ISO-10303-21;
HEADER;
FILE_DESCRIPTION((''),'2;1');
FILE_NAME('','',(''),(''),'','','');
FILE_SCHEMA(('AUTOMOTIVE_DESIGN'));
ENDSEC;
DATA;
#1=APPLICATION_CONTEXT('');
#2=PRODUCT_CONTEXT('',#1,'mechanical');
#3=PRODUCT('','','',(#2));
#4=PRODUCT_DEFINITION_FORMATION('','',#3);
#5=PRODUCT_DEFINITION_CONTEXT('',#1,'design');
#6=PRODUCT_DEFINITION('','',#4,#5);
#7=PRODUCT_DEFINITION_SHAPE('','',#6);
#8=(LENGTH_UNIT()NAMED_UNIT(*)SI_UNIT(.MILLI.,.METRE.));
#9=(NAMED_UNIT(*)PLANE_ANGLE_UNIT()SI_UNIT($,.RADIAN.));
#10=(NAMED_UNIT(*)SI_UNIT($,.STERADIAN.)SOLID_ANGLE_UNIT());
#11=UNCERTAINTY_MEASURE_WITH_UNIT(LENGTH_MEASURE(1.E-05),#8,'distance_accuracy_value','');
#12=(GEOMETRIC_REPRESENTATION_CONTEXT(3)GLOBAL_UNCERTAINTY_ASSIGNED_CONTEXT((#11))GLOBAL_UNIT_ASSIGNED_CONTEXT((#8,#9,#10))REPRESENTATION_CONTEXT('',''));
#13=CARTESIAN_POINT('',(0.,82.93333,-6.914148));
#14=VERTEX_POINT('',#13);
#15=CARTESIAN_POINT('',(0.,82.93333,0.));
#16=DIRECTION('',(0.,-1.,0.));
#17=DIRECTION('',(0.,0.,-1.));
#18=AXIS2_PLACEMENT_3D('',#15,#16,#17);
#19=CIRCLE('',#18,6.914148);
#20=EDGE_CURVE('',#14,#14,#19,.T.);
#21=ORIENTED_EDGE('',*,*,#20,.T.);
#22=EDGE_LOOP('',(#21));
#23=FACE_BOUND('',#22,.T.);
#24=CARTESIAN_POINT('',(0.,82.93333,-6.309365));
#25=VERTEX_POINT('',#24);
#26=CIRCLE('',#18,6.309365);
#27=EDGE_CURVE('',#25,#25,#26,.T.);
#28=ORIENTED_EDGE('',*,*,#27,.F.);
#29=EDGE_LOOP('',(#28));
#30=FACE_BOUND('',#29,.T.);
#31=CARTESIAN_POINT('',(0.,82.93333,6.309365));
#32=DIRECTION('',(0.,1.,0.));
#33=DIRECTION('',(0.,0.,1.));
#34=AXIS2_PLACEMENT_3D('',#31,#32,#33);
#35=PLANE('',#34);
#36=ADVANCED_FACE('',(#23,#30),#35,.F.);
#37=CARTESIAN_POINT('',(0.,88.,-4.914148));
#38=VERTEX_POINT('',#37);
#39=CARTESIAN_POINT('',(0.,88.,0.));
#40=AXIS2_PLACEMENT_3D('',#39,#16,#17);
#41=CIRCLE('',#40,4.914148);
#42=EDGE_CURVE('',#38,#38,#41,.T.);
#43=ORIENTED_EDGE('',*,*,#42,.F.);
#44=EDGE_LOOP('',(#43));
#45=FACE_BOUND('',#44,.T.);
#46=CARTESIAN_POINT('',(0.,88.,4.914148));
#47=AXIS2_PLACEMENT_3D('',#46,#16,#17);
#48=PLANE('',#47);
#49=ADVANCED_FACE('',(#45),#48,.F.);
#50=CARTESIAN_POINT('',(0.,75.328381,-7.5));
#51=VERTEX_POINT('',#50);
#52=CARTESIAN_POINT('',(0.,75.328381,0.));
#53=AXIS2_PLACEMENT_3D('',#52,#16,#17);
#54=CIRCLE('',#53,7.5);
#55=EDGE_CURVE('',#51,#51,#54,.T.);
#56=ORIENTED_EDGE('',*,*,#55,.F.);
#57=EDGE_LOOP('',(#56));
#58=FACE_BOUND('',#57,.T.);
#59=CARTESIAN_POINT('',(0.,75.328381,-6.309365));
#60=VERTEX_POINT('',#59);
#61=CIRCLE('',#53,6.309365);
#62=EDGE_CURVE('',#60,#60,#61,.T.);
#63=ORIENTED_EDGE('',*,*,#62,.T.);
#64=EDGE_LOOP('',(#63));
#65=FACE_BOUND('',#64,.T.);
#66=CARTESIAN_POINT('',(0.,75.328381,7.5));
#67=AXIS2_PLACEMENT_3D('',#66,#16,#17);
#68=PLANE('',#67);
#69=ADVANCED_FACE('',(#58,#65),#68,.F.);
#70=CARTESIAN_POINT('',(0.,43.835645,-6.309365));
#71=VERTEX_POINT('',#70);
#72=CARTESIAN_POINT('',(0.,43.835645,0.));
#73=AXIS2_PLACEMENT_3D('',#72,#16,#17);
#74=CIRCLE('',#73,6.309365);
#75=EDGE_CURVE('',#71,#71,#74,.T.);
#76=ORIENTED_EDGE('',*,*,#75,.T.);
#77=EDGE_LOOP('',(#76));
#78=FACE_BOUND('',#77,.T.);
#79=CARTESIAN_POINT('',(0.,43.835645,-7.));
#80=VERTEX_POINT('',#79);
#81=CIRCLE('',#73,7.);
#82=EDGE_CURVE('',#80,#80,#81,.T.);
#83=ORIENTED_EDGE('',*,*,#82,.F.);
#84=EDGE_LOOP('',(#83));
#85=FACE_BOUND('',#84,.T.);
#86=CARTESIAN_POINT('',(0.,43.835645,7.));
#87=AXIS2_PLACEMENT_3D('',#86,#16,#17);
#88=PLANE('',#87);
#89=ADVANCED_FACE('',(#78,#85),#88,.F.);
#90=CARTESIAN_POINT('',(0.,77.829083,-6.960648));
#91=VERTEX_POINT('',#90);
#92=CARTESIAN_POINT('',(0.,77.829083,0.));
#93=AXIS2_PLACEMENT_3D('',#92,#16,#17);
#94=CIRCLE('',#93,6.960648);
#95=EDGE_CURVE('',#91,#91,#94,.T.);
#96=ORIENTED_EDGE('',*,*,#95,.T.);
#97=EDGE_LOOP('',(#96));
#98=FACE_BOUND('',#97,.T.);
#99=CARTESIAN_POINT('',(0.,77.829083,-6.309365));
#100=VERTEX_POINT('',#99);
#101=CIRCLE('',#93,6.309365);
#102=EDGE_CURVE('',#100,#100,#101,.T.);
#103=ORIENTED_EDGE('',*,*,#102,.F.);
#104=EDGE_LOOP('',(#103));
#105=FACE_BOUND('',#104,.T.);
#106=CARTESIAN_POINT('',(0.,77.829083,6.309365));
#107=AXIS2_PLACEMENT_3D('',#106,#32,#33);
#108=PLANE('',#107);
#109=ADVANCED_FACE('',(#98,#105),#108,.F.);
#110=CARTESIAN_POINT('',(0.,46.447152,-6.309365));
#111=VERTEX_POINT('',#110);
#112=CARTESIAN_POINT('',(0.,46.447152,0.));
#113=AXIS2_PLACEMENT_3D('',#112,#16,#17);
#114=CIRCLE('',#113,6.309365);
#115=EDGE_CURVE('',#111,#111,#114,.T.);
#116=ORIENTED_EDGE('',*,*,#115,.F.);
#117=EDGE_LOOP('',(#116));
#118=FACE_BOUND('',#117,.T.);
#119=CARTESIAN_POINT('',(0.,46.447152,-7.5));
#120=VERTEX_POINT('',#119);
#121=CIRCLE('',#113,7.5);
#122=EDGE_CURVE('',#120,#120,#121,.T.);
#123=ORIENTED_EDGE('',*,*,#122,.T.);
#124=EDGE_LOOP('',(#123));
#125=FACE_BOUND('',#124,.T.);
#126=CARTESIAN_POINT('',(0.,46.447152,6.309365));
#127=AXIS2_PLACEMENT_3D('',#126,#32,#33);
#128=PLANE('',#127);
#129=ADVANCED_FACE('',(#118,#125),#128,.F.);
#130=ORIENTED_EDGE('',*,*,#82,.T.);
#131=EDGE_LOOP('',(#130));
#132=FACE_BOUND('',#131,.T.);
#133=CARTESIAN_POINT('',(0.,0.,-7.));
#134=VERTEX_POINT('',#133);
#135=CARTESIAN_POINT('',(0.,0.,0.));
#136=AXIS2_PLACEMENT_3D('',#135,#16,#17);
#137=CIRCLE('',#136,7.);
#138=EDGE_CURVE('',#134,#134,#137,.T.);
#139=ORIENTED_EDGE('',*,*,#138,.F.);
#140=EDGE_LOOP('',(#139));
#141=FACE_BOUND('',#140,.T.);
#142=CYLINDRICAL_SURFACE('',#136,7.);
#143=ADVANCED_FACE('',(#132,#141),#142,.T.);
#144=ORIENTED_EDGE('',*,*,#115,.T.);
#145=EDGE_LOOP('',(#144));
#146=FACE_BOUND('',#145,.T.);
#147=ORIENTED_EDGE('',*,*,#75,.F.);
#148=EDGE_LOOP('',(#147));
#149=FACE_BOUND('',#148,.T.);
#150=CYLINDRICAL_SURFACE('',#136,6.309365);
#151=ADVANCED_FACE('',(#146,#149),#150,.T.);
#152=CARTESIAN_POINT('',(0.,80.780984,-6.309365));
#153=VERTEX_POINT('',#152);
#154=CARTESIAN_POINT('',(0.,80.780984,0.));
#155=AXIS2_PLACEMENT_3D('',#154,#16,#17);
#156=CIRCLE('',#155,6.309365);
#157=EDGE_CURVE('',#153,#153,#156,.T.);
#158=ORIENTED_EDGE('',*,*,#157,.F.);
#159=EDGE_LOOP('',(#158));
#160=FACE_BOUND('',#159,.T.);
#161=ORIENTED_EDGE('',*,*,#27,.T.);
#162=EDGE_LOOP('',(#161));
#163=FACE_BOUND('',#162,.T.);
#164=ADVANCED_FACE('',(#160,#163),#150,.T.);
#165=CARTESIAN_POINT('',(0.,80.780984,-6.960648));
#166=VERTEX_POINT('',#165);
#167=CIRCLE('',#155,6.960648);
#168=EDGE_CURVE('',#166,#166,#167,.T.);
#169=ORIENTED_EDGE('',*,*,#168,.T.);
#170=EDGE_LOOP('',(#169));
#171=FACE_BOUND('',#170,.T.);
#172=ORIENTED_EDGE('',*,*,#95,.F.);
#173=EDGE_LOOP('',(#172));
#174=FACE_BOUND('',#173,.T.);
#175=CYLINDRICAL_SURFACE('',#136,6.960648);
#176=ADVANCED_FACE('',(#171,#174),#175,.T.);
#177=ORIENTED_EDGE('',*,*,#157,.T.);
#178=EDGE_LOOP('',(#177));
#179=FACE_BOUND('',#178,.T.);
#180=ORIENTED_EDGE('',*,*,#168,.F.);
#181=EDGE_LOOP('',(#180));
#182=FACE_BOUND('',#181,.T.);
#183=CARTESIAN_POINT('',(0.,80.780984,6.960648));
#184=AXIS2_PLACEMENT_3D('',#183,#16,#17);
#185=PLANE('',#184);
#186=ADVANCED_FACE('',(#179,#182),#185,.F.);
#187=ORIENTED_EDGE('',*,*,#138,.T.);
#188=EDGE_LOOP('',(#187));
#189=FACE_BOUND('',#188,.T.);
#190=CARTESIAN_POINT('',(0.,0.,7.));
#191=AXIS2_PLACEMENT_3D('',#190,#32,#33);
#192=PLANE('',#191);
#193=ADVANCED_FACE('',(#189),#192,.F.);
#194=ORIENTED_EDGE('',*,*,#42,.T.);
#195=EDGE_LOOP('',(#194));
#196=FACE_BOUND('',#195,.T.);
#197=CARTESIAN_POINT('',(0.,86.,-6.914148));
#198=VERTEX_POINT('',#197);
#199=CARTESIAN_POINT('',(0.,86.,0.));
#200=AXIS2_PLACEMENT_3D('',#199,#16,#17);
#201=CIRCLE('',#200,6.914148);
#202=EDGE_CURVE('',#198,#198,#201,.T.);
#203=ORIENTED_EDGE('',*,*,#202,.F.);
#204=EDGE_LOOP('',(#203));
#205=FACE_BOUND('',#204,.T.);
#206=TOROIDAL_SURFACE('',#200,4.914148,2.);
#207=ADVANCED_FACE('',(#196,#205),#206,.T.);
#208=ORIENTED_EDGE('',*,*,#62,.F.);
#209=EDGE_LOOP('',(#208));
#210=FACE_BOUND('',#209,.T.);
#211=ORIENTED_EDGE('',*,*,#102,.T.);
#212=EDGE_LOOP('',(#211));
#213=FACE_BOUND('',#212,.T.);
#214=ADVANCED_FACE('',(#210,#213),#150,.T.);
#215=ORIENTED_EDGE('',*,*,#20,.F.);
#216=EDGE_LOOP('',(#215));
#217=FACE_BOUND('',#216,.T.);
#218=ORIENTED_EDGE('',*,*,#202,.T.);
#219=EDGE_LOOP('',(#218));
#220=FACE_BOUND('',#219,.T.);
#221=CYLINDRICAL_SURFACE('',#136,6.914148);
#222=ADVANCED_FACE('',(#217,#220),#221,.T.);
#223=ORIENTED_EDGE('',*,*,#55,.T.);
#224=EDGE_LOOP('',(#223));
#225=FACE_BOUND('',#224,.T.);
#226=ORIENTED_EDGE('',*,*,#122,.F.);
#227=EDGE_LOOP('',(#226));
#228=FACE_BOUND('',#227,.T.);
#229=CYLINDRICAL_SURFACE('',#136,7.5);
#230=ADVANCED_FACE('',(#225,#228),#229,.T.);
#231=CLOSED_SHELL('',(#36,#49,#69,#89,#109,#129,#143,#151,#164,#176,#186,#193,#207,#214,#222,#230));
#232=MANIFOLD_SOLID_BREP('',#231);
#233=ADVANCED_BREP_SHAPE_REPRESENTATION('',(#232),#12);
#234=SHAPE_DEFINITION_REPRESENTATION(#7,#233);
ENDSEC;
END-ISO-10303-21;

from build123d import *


with BuildPart() as part:
    # 草图1 → 旋转4 (revolve)
    with BuildSketch(Plane(origin=(0, 0, 0), x_dir=(0, 0, -1), z_dir=(1, 0, 0)), mode=Mode.PRIVATE) as revolve_4_sk:
        with BuildLine():
            Line((-7, 0), (0, 0))
            Line((0, 0), (0, 88))
            Line((0, 88), (-4.914147633, 88))
            ThreePointArc((-4.914147633, 88), (-6.328361195, 87.414213562), (-6.914147633, 86))
            Line((-6.914147633, 86), (-6.914147633, 82.933330123))
            Line((-6.914147633, 82.933330123), (-6.309364611, 82.933330123))
            Line((-6.309364611, 82.933330123), (-6.309364611, 80.780984357))
            Line((-6.309364611, 80.780984357), (-6.960648153, 80.780984357))
            Line((-6.960648153, 80.780984357), (-6.960648153, 77.82908336))
            Line((-6.960648153, 77.82908336), (-6.309364611, 77.82908336))
            Line((-6.309364611, 77.82908336), (-6.309364611, 75.328381362))
            Line((-6.309364611, 75.328381362), (-7.5, 75.328381362))
            Line((-7.5, 75.328381362), (-7.5, 46.447151695))
            Line((-7.5, 46.447151695), (-6.309364611, 46.447151695))
            Line((-6.309364611, 46.447151695), (-6.309364611, 43.835644878))
            Line((-6.309364611, 43.835644878), (-7, 43.835644878))
            Line((-7, 43.835644878), (-7, 0))
        make_face()
    revolve(revolve_4_sk.sketch.rotate(Axis((0, 0, 0), (0, 1, 0)), 180), axis=Axis((0, 0, 0), (0, 1, 0)))


solid = part.part
